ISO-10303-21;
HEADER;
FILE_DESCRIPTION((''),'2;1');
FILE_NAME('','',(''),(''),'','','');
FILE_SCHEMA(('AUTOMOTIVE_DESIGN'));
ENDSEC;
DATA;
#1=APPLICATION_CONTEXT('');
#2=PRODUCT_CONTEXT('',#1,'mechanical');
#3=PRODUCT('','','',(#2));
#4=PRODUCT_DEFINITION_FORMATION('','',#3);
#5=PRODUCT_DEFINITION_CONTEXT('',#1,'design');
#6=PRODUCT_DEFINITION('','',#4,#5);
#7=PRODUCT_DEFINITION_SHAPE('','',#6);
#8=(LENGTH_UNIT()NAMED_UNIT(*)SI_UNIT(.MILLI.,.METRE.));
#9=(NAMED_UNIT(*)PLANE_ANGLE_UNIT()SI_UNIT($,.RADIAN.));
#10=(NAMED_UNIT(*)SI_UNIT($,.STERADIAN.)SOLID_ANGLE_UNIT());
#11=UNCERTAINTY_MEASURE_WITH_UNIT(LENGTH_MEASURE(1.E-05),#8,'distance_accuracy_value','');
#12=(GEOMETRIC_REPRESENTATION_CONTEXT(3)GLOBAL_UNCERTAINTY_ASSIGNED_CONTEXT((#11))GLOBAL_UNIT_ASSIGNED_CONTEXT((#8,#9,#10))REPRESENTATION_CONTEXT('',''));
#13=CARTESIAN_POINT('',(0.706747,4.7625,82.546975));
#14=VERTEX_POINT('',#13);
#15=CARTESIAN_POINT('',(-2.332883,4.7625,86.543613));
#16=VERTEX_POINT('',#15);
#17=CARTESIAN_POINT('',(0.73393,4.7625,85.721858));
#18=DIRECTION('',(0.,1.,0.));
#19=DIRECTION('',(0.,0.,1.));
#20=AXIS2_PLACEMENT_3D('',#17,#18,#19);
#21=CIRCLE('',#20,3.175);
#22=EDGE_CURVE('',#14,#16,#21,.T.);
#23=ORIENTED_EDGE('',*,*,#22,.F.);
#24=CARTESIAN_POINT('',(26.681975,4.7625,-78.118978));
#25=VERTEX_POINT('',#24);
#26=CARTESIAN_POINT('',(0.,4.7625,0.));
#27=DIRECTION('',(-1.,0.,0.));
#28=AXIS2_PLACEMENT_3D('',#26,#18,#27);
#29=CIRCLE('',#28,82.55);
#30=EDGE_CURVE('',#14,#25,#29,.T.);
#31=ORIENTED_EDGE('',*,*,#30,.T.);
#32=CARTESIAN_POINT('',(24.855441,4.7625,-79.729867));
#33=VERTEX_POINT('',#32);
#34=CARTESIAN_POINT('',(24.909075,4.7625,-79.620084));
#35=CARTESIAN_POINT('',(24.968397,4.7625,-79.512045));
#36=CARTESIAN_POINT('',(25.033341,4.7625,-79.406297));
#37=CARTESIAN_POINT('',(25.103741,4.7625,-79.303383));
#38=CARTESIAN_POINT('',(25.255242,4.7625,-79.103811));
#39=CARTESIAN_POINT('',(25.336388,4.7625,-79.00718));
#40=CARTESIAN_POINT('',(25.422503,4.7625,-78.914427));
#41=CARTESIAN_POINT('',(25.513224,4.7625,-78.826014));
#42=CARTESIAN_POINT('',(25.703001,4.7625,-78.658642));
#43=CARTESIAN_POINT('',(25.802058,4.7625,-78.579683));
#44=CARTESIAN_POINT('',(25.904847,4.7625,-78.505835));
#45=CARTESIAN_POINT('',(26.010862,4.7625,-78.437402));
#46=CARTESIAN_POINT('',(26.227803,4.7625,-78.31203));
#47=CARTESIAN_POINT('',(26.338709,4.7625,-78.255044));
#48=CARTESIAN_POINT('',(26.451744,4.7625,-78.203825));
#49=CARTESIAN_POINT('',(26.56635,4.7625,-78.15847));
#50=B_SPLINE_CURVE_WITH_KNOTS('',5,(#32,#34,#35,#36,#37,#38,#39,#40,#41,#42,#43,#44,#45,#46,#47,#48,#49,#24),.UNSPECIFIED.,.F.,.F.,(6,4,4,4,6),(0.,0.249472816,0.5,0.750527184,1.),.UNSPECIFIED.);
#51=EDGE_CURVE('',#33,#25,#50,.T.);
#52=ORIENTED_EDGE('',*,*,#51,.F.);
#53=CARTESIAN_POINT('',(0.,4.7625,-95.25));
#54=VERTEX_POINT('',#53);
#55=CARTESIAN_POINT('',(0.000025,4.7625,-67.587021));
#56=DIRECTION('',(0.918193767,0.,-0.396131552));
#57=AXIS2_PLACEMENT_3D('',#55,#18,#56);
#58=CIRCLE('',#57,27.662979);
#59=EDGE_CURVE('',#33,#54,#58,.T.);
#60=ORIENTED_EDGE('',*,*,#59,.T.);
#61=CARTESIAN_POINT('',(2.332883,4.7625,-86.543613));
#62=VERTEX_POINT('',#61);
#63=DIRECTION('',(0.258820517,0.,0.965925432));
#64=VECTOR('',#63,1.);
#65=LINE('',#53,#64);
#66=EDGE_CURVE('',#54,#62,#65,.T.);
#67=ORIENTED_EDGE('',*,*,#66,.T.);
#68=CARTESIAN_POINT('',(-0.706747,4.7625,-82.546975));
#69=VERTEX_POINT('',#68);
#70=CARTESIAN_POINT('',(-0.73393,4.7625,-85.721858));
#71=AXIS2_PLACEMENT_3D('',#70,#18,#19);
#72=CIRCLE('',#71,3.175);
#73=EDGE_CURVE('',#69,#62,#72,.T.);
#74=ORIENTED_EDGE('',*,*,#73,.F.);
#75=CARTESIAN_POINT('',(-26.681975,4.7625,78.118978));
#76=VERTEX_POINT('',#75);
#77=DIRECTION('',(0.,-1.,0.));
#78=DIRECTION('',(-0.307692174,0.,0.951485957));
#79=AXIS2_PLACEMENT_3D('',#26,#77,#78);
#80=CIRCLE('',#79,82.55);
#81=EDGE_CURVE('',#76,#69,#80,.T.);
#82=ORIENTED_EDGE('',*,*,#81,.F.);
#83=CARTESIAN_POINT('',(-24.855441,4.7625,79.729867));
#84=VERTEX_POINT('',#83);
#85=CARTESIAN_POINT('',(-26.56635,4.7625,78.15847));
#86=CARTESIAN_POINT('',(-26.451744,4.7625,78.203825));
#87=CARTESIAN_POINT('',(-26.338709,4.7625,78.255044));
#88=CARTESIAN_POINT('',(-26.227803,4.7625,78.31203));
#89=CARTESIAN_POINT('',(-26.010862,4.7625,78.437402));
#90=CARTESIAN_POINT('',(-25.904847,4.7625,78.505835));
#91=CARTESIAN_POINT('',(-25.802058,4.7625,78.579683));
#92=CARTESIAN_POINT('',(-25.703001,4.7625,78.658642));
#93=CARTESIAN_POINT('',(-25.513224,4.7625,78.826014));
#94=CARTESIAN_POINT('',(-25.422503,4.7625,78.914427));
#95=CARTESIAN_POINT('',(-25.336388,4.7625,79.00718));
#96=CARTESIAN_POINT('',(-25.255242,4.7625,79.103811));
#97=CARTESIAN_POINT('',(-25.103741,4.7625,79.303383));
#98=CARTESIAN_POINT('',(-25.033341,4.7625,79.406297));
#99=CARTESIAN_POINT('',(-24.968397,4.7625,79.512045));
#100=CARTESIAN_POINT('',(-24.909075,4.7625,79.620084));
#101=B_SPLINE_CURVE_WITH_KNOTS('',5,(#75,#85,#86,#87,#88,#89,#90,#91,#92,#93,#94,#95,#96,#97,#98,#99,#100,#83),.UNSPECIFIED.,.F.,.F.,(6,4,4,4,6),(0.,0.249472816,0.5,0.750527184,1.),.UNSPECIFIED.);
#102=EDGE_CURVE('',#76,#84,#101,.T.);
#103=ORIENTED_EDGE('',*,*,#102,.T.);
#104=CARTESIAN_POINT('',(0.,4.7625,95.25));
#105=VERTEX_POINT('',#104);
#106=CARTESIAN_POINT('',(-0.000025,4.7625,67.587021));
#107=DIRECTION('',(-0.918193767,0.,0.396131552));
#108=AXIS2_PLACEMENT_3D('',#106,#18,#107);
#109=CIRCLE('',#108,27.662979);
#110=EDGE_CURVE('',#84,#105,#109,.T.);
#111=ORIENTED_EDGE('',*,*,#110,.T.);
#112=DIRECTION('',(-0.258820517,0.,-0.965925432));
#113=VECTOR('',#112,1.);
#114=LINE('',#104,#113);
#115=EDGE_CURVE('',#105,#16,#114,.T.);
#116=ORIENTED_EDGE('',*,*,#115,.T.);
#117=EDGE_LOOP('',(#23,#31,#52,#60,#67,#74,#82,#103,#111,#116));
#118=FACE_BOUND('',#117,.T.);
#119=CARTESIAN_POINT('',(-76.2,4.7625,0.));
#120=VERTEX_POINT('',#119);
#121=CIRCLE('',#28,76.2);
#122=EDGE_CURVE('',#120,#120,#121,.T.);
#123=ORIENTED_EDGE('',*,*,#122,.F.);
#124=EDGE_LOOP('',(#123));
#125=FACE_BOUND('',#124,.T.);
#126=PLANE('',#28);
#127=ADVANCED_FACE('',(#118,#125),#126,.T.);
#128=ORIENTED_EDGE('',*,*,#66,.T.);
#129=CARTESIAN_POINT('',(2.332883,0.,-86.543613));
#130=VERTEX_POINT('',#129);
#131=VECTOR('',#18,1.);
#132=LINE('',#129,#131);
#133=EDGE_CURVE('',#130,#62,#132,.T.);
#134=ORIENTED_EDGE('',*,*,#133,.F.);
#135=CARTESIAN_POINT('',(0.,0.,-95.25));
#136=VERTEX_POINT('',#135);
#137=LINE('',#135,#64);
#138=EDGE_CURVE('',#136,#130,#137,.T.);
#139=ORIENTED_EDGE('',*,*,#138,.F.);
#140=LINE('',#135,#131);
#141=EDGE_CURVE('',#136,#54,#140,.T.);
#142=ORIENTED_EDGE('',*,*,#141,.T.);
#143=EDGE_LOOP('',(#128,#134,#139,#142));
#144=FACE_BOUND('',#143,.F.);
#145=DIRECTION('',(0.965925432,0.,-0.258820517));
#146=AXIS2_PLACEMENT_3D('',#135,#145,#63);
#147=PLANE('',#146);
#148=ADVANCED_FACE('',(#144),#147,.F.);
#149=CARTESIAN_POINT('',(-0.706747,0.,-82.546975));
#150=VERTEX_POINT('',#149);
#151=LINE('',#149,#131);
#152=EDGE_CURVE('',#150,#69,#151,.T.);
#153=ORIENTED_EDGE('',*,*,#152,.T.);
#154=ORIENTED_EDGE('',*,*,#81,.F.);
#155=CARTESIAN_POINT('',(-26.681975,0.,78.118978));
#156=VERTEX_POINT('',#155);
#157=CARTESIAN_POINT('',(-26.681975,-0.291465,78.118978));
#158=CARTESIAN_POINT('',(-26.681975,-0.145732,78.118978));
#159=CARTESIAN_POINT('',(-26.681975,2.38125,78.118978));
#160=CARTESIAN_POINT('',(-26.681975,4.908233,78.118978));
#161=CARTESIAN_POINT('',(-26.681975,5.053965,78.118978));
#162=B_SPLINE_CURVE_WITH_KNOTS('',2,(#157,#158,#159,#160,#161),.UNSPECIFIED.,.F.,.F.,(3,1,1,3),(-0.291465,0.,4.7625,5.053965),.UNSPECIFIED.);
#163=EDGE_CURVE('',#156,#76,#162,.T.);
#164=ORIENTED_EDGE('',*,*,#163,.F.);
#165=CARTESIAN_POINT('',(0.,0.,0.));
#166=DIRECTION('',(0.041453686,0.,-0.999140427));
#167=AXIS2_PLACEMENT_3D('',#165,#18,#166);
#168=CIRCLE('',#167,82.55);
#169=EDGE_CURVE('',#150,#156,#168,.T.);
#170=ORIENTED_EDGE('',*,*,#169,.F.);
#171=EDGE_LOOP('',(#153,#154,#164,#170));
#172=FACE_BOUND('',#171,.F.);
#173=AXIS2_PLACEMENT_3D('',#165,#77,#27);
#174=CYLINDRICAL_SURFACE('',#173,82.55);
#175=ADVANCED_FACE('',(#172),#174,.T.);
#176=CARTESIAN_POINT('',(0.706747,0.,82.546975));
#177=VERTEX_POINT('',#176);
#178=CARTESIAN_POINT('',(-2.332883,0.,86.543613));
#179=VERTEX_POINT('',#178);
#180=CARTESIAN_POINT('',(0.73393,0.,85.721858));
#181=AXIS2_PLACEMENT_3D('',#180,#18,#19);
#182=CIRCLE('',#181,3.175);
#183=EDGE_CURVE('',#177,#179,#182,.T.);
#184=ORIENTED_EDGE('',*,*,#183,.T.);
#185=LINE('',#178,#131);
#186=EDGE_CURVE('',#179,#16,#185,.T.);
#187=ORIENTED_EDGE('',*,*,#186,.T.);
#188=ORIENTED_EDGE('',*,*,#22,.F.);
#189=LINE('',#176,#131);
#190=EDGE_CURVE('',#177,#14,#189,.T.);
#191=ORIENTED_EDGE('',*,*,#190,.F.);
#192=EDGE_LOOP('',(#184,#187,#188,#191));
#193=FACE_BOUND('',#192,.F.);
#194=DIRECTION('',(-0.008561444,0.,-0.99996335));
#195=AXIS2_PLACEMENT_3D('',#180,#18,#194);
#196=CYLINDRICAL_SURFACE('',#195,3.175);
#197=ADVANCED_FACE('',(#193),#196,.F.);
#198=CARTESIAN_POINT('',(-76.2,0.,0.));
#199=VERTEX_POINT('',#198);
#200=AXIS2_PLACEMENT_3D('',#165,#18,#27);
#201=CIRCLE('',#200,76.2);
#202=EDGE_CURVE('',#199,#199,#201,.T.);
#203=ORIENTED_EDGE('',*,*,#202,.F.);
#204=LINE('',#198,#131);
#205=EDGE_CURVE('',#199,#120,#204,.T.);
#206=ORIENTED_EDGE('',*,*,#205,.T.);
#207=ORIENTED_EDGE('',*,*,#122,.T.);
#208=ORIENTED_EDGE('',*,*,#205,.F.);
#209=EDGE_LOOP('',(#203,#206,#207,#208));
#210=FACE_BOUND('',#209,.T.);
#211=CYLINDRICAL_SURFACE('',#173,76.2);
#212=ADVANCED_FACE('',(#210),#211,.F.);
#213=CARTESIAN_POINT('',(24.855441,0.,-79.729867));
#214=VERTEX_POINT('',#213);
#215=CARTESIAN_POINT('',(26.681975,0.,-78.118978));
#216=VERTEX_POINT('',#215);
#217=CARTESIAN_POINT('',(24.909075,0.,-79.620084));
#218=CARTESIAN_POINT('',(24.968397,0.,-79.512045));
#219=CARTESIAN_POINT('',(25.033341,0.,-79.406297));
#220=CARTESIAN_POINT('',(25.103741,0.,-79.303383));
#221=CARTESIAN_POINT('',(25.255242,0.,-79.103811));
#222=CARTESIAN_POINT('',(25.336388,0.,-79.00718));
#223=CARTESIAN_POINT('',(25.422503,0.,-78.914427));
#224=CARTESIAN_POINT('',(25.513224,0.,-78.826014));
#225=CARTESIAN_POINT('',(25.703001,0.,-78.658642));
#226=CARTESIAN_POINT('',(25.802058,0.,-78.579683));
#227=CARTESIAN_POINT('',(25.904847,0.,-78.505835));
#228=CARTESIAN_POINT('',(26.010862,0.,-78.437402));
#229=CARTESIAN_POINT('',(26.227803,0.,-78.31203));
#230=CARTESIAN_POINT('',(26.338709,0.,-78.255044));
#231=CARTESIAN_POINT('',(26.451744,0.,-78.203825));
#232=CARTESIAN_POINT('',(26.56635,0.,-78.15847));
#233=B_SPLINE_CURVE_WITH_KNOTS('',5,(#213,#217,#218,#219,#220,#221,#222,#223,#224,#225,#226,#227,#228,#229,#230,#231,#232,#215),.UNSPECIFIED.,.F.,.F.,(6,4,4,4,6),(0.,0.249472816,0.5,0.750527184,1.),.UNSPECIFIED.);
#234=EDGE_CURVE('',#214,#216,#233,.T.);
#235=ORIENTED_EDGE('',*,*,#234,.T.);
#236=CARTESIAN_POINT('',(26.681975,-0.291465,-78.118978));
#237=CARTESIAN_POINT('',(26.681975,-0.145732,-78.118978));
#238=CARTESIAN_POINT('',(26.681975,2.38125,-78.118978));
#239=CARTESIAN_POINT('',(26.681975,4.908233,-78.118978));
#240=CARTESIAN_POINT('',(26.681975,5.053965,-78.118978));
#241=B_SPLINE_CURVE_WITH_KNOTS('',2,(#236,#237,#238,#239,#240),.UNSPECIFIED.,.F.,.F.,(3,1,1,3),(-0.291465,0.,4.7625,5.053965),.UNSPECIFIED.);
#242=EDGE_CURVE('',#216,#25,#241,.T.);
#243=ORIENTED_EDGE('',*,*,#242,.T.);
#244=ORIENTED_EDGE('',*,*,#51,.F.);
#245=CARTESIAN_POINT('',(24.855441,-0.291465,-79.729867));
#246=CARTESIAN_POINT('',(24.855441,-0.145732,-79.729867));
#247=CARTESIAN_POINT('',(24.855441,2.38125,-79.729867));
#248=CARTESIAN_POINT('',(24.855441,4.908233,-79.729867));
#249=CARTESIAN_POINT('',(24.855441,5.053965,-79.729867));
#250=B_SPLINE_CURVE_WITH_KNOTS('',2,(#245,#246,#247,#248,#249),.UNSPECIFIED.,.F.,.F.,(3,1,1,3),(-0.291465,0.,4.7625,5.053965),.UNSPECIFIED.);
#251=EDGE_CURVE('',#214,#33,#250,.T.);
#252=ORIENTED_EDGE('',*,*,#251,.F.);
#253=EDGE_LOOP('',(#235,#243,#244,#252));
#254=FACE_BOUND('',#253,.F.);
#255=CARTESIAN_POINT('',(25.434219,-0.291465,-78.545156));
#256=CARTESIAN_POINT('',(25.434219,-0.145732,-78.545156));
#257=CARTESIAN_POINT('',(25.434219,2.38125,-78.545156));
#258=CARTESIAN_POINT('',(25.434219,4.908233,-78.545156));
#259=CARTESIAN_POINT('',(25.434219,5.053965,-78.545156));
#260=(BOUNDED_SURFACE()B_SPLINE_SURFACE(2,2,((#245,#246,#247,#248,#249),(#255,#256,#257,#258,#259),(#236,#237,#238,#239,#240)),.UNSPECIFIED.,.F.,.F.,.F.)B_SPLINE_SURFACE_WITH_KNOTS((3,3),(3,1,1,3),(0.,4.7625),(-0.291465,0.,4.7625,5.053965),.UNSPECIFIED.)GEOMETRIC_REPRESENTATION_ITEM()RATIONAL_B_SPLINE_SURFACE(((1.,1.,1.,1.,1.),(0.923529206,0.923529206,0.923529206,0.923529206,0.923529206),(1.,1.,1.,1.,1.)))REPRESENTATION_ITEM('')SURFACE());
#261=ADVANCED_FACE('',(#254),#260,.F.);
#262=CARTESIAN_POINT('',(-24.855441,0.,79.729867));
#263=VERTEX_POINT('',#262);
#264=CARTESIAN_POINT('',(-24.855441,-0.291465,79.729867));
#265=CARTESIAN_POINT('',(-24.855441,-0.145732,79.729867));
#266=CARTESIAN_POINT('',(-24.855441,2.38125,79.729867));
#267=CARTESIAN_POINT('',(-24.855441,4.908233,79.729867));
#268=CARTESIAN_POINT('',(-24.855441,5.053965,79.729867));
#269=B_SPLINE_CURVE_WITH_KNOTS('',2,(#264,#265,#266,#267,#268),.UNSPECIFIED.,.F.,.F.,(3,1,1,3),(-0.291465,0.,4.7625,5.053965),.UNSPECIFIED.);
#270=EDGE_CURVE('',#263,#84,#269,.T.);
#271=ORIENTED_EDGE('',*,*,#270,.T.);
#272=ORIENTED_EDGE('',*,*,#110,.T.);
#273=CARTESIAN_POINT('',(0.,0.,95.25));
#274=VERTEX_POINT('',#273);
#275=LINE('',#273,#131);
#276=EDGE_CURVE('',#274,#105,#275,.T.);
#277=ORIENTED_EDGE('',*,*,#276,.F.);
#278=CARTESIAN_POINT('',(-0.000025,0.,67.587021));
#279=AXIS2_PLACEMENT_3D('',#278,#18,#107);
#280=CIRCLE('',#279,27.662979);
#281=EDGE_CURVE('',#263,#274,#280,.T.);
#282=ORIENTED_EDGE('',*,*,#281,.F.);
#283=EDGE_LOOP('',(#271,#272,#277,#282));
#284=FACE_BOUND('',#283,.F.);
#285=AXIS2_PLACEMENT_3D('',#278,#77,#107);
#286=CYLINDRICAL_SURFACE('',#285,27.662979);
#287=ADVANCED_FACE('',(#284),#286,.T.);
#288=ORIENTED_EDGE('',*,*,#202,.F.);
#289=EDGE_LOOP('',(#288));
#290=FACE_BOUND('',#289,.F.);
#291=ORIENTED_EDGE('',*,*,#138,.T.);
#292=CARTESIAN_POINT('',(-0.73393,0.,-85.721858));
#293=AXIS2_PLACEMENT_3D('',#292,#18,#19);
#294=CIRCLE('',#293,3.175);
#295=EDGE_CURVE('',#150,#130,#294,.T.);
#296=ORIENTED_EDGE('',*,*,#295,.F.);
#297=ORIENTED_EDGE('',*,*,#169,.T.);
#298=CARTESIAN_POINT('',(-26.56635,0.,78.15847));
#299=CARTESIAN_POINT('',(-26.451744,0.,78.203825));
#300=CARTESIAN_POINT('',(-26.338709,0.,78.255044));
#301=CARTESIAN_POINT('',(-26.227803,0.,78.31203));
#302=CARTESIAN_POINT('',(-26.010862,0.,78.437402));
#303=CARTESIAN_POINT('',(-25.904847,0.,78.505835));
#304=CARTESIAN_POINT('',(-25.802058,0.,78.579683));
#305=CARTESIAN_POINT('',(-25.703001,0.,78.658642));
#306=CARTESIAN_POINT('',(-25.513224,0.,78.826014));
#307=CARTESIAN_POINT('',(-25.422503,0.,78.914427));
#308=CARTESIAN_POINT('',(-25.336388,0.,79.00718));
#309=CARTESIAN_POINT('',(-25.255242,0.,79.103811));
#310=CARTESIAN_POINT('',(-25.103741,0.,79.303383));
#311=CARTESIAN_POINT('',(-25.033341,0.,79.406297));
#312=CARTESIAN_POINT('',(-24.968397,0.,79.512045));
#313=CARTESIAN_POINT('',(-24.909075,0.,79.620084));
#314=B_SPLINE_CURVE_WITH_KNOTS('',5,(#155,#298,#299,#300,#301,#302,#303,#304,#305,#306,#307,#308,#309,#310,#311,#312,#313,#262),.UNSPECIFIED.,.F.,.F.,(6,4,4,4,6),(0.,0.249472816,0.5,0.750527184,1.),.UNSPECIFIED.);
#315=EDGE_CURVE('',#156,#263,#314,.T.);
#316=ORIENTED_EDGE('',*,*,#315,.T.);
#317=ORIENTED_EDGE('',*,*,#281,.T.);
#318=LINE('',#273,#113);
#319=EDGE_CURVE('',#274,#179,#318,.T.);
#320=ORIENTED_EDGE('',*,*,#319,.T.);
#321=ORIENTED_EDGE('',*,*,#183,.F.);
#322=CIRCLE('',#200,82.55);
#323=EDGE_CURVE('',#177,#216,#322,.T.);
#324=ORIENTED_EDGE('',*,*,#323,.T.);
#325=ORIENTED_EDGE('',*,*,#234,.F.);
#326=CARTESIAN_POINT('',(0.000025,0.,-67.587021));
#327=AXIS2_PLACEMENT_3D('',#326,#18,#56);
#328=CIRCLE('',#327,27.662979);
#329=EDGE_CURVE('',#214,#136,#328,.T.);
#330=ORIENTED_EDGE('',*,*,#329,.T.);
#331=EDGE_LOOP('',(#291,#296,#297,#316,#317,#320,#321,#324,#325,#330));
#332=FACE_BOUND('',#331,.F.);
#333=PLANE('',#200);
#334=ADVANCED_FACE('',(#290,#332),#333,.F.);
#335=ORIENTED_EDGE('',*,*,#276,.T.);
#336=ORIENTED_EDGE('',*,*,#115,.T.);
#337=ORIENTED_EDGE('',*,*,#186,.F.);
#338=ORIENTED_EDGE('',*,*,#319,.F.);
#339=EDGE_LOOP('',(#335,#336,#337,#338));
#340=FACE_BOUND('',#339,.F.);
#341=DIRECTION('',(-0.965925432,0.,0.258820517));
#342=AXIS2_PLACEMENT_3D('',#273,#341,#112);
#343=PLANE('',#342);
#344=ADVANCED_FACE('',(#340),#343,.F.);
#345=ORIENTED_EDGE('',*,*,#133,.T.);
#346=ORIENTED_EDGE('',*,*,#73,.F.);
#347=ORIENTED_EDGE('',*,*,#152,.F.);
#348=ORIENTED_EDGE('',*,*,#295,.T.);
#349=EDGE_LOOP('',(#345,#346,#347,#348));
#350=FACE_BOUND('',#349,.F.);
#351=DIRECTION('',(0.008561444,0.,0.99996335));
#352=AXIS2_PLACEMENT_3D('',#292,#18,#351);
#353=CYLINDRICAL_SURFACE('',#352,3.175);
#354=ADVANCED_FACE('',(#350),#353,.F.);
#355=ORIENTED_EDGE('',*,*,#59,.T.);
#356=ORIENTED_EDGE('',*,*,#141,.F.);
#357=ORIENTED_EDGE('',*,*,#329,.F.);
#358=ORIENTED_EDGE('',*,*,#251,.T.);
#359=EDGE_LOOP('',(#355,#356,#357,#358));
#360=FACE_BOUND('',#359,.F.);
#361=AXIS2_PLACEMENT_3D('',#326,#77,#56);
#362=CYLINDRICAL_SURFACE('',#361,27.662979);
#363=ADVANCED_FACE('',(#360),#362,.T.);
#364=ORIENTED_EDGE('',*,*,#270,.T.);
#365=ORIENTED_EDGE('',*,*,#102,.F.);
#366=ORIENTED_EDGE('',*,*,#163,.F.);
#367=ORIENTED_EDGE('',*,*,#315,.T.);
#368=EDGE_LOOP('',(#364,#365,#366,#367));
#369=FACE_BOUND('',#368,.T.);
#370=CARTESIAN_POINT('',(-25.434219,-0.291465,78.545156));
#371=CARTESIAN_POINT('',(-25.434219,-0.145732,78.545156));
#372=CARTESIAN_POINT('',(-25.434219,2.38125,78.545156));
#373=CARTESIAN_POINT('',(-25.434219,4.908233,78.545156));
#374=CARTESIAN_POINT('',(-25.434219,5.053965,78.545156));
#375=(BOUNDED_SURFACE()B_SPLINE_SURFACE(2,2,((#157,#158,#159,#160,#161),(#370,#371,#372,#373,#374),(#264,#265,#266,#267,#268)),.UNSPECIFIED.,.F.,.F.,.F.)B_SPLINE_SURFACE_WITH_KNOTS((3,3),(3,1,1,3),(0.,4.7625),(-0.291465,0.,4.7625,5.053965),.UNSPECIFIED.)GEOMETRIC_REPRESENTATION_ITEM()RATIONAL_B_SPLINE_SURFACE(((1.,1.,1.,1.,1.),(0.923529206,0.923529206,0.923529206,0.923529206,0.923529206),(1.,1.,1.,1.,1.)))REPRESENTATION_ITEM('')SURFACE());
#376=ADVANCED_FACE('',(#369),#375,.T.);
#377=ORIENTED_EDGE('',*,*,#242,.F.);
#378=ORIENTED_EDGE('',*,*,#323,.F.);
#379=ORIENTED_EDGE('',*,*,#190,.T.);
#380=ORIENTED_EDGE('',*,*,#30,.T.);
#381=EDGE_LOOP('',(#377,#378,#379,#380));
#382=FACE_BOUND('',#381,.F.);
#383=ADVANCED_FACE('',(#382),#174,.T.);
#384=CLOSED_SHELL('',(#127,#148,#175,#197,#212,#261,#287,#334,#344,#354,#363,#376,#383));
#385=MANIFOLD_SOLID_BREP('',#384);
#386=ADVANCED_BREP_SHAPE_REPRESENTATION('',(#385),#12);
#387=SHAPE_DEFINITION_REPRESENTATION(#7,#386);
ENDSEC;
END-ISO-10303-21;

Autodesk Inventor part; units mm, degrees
ref_plane "YZ Plane" through (0, 0, 0) normal (1, 0, 0) x (0, 1, 0)
ref_plane "XZ Plane" through (0, 0, 0) normal (0, 1, 0) x (-1, 0, 0)
ref_plane "XY Plane" through (0, 0, 0) normal (0, 0, 1) x (1, 0, 0)
sketch "Sketch1" plane through (0, 0, 0) normal (0, 1, 0) x (-1, 0, 0)
  circle A0 centre (0, 0) radius 76.2
  circle A1 centre (0, 0) radius 82.55
  line L0 (0, 0) -> (0, -82.55) construction
  line L1 (0, -95.25) -> (-3.422, -82.479)
  arc A2 (-25.4, -78.5452) -> (0, -95.25) centre (0, -67.587) ccw
  line L2 (0, 95.25) -> (3.422, 82.479)
  arc A3 (25.4, 78.5452) -> (0, 95.25) centre (0, 67.587) ccw
  point P0 (0, 82.55)
  point P1 (25.4, 78.5452)
  dimension "d0" = 152.4
  dimension "d1" = 6.35
  dimension "d4" = 15
  dimension "d5" = 12.7
  dimension "d6" = 25.4
  dimension "d9" = 360
extrude "Extrusion1" add sketch "Sketch1" along normal blind 4.7625
fillet "Fillet1" radius 3.175 4 edges at (25.4, 2.3813, -78.5452) (3.422, 2.3813, -82.479) (-25.4, 2.3813, 78.5452) (-3.422, 2.3813, 82.479)
sketch "Sketch2" plane through (0, 4.7625, 0) normal (0, 1, 0) x (1, 0, 0)
  line L0 (0, 95.25) -> (2.3329, 86.5436) projected
  circle A0 centre (0, 0) radius 95.25 construction
properties part number "Blade - Ring" material "Steel, Mild"
